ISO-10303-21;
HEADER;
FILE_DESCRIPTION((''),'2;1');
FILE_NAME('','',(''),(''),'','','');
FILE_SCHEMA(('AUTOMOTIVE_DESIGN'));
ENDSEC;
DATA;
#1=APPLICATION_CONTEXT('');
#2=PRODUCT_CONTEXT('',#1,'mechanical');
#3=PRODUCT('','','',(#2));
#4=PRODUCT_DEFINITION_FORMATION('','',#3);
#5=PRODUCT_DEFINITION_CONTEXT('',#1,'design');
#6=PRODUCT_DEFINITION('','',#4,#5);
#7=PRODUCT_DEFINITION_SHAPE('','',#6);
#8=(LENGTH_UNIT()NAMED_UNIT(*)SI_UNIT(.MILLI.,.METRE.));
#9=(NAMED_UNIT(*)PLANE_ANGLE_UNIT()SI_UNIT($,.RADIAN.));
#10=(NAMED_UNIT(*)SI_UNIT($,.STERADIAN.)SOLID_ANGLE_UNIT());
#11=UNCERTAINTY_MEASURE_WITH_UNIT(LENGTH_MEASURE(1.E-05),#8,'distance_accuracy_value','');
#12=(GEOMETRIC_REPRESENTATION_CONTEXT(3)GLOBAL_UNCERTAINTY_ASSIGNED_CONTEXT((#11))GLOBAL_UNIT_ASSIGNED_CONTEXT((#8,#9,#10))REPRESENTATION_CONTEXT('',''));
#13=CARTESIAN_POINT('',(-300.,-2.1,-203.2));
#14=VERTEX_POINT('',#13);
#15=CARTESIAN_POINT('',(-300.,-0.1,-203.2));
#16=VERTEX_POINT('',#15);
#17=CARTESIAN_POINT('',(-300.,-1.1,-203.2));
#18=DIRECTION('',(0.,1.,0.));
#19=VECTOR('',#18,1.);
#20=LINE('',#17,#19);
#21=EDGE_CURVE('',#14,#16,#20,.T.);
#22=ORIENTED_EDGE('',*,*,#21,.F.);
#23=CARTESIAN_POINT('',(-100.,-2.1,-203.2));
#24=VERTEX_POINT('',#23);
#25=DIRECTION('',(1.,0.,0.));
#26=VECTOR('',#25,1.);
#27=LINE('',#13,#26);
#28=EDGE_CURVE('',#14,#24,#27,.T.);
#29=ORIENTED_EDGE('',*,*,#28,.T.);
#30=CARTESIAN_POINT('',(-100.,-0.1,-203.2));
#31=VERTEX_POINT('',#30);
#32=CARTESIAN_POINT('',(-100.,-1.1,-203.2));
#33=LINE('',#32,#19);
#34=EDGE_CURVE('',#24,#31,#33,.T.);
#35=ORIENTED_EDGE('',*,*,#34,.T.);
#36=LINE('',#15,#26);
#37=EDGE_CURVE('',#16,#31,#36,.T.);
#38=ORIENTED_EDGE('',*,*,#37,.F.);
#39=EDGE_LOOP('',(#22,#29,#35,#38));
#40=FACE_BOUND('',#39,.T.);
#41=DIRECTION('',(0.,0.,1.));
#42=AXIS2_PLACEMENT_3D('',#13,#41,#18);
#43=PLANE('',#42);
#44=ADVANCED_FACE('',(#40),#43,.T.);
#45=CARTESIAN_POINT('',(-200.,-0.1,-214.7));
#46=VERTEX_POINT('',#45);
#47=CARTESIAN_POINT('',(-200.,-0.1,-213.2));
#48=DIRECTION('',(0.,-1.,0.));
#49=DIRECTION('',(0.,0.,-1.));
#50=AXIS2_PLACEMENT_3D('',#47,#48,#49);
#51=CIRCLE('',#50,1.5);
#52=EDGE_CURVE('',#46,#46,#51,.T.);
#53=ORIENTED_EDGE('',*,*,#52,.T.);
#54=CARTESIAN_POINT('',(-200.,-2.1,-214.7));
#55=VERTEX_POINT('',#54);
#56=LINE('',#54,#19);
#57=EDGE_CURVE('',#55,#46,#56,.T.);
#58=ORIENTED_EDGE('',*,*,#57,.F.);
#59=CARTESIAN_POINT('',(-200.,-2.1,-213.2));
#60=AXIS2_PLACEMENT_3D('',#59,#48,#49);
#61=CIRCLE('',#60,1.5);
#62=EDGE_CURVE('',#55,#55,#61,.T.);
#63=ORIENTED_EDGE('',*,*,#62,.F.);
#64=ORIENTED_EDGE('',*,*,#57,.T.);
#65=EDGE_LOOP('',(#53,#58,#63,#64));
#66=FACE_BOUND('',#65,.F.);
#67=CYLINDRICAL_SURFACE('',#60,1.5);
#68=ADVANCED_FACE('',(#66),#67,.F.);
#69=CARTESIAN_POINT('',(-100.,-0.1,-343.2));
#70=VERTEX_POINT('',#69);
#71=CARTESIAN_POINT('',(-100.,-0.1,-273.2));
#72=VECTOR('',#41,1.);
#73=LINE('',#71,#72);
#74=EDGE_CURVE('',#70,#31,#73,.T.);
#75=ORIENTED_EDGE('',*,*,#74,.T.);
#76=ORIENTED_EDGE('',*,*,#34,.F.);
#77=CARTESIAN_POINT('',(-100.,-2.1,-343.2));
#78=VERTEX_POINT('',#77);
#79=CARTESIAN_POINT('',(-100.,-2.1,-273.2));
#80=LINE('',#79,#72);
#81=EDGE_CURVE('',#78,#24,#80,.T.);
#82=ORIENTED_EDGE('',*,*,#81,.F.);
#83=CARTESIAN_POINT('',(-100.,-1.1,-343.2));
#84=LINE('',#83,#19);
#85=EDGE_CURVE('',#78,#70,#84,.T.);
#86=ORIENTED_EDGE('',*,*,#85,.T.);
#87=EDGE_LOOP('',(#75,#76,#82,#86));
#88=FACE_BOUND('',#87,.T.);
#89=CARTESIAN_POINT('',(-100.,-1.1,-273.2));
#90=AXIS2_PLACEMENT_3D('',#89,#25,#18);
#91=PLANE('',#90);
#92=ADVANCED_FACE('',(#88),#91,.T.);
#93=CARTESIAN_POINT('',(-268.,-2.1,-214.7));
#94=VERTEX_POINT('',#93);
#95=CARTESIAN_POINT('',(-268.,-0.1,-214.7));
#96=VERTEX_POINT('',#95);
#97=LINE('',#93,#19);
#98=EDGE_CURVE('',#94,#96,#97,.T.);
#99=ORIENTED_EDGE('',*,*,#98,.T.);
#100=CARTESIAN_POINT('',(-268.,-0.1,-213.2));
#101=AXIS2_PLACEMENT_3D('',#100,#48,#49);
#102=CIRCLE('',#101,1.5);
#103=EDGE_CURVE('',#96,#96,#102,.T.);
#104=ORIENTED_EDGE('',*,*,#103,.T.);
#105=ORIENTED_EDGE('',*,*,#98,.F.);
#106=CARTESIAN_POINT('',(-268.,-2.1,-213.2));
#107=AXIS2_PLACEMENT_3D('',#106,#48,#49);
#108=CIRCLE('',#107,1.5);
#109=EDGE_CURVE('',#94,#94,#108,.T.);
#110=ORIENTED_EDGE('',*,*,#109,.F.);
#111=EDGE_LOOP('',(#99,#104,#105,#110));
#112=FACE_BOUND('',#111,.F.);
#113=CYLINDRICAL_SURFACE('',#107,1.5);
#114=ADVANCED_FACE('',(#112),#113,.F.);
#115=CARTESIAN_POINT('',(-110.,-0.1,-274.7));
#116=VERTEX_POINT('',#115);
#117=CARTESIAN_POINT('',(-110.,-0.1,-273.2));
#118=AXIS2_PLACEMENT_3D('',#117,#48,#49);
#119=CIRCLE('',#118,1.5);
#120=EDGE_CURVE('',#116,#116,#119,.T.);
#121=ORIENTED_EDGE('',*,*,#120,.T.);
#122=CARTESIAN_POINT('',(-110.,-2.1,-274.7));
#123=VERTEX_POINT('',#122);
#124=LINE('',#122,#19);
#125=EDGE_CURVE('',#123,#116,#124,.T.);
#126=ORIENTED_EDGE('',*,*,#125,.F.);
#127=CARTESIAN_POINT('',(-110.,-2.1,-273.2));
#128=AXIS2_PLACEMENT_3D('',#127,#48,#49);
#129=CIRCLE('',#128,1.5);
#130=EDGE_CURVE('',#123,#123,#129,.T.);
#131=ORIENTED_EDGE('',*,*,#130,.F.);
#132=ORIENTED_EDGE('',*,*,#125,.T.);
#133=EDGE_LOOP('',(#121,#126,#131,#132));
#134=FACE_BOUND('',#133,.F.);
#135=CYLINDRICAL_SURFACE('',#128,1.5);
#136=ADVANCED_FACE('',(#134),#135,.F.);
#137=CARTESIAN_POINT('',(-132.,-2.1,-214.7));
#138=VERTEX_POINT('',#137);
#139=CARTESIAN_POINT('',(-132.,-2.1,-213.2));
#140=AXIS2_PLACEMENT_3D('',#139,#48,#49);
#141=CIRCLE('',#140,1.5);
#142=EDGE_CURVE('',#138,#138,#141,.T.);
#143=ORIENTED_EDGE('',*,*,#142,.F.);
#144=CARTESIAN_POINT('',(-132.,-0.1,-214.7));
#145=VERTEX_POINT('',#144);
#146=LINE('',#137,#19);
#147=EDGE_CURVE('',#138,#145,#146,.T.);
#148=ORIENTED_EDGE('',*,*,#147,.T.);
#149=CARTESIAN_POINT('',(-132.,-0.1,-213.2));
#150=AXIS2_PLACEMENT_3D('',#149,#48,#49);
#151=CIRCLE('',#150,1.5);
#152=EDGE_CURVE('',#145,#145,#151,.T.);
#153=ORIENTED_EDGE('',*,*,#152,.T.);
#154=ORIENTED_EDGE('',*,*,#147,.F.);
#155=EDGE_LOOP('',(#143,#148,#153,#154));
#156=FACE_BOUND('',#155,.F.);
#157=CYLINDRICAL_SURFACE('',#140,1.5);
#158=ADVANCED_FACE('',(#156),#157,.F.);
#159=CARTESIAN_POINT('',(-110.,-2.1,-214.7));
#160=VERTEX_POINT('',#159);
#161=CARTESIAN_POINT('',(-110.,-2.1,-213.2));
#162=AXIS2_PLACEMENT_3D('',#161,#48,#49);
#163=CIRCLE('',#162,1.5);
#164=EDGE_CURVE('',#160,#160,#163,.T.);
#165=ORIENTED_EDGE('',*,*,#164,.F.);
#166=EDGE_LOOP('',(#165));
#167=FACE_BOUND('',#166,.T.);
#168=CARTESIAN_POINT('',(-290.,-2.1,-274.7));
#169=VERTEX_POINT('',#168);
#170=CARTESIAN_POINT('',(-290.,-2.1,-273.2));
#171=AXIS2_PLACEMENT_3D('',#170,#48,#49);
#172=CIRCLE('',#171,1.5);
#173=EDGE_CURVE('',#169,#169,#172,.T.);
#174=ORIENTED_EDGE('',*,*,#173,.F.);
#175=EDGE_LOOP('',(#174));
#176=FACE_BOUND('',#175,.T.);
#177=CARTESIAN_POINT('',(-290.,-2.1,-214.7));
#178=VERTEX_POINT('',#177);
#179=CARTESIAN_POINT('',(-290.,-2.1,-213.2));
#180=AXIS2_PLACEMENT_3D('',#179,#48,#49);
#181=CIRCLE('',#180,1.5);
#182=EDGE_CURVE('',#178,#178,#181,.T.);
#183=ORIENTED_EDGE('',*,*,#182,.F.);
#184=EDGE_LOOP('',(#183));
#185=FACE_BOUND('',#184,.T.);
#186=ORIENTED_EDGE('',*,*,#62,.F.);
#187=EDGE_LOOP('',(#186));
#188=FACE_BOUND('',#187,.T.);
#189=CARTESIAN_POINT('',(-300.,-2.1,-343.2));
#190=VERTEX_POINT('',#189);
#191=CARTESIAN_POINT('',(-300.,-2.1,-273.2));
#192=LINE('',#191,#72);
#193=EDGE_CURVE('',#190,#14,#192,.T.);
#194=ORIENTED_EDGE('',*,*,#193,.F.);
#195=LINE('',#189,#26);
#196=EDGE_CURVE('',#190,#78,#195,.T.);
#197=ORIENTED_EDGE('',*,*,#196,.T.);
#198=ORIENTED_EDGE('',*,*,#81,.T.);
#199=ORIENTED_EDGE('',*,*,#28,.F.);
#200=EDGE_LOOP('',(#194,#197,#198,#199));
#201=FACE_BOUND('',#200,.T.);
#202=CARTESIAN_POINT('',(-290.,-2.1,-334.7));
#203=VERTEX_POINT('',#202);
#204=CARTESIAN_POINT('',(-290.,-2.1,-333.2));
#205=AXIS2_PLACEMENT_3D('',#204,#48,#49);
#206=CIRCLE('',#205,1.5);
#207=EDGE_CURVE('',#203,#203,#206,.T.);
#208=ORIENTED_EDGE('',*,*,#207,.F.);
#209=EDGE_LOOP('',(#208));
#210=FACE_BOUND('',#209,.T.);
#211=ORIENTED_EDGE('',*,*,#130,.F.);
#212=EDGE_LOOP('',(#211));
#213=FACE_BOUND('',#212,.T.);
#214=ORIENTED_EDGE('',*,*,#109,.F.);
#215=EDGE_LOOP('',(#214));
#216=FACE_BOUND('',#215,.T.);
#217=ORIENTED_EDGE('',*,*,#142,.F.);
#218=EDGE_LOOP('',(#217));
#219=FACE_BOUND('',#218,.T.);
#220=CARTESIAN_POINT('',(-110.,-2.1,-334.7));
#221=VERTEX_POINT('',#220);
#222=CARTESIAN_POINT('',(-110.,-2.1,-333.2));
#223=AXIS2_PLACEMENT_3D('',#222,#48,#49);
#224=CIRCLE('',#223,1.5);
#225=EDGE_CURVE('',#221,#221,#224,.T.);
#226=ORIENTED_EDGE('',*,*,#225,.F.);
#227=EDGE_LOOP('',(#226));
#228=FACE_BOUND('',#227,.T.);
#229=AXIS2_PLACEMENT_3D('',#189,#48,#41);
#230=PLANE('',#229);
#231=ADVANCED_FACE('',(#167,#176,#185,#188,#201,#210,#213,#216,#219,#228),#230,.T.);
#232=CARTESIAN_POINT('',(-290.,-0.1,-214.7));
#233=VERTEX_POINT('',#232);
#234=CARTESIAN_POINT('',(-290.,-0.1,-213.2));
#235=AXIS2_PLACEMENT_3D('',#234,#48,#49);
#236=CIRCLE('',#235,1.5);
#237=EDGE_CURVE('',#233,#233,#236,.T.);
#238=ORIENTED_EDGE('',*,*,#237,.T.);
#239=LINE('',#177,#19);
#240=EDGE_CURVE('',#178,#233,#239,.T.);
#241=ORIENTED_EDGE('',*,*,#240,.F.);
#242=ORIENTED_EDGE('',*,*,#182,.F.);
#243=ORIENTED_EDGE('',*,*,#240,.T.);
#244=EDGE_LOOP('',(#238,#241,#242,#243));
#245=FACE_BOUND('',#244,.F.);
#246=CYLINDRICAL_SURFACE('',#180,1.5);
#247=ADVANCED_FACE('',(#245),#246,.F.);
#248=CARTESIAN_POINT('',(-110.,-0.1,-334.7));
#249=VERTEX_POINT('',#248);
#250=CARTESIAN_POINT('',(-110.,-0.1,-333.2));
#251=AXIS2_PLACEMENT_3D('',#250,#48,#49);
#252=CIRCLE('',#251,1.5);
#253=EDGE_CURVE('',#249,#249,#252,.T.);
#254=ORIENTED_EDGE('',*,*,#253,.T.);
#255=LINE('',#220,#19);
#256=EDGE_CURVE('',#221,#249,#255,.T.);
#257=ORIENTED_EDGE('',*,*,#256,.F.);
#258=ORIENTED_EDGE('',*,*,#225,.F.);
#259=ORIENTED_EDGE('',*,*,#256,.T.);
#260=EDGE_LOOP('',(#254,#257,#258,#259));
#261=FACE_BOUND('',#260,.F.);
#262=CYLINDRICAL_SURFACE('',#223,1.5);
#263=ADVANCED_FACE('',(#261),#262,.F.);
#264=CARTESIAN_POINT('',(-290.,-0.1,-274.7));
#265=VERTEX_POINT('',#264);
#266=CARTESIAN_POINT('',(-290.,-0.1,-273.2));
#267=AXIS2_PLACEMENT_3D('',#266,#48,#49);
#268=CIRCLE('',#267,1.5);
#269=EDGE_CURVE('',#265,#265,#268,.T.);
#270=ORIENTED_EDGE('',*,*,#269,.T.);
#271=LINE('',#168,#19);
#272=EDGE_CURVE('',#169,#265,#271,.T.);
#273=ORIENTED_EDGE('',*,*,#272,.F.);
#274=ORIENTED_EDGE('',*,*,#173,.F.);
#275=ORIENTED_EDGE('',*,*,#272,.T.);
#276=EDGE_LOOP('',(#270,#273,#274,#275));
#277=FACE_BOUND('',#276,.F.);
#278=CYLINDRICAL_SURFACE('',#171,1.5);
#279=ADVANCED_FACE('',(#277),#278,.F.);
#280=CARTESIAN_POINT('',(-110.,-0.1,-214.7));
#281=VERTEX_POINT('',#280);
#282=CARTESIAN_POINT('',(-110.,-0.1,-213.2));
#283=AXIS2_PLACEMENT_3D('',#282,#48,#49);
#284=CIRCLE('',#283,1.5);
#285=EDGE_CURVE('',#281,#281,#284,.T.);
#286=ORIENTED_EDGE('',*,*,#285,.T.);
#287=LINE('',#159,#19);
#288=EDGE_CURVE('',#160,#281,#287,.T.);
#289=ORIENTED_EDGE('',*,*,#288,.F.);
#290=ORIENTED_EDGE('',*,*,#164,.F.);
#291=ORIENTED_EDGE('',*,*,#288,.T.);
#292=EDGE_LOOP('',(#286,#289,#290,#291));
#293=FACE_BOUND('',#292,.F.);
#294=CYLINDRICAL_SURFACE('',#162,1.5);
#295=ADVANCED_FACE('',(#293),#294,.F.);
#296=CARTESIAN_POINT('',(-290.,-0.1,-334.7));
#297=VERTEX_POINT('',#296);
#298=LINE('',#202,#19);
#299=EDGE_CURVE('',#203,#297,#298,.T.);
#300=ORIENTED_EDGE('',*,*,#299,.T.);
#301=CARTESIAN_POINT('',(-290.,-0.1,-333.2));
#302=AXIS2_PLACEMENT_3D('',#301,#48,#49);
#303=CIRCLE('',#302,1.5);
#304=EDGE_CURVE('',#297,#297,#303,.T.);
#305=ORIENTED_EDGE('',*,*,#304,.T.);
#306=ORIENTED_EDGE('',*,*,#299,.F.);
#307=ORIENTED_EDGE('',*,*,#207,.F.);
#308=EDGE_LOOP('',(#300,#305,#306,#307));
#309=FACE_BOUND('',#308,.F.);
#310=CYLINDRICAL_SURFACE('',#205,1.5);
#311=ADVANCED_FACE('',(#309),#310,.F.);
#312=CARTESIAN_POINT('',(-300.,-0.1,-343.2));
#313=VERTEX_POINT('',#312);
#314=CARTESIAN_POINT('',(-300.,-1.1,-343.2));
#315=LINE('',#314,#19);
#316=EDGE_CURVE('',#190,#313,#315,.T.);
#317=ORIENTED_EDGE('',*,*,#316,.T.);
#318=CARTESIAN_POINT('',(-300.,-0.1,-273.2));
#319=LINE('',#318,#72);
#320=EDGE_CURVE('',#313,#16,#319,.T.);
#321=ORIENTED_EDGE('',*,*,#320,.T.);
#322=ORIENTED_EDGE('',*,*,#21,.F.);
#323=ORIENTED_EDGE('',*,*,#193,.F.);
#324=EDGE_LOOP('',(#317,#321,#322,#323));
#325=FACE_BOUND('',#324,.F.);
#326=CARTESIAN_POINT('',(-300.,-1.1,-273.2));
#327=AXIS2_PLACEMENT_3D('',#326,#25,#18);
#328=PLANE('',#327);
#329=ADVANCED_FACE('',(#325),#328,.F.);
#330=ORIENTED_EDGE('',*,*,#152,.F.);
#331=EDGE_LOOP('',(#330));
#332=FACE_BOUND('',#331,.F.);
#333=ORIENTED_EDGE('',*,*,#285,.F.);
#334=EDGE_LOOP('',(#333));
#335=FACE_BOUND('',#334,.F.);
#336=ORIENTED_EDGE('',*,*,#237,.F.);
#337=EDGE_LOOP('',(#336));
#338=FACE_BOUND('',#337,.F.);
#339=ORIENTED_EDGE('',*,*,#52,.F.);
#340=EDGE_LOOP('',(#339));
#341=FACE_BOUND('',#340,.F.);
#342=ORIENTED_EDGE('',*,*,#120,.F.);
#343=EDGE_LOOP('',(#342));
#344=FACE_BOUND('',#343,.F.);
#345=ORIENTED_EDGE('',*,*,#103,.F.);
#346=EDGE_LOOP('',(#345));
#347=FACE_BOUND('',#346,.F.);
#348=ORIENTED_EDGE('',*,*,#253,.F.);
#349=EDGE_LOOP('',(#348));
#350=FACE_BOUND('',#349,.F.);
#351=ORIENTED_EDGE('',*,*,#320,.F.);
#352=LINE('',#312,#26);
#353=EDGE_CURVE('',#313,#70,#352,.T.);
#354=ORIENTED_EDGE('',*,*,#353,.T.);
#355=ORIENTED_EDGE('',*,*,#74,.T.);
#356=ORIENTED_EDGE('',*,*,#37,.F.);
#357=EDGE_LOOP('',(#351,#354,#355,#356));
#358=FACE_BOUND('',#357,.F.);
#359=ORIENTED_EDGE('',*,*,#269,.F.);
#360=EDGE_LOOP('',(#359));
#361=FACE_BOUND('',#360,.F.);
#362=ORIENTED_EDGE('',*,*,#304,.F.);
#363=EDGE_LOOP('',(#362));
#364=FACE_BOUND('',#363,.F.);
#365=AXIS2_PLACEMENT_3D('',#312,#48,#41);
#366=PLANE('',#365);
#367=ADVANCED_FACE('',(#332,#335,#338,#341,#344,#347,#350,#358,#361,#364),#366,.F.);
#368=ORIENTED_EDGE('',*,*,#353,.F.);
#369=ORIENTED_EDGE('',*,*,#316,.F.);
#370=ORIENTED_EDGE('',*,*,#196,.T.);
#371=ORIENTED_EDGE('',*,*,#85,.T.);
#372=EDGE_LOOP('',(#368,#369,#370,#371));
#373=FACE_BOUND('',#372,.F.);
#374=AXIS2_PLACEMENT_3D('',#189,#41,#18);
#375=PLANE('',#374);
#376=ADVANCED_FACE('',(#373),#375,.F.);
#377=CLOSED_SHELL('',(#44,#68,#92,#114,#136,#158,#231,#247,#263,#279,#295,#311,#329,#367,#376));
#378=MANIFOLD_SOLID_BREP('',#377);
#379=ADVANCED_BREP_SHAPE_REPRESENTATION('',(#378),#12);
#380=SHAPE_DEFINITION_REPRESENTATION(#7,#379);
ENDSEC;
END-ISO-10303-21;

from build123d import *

# Parameters (mm, degrees)
SKETCH051_W     = 2
SKETCH051_H     = 140
PAD031_DEPTH    = 200
SKETCH040_R     = 1.5
POCKET016_DEPTH = 5
SKETCH088_R     = 1.5
POCKET046_DEPTH = 5


with BuildPart() as part:
    # Sketch051 → Pad031 (new body)
    with BuildSketch(Plane.YZ):
        with Locations((1, 70)):
            Rectangle(SKETCH051_W, SKETCH051_H)
    extrude(amount=PAD031_DEPTH)

    # Sketch040 (on Face1 of Pad031) → Pocket016 (cut)
    with BuildSketch(Plane(origin=(0, 0, 0), x_dir=(0, 0, -1), z_dir=(0, -1, 0))):
        with Locations((-130, 190)):
            Circle(SKETCH040_R)
        with Locations((-70, 190)):
            Circle(SKETCH040_R)
        with Locations((-10, 190)):
            Circle(SKETCH040_R)
        with Locations((-10, 10)):
            Circle(SKETCH040_R)
        with Locations((-70, 10)):
            Circle(SKETCH040_R)
        with Locations((-130, 10)):
            Circle(SKETCH040_R)
    extrude(amount=-POCKET016_DEPTH, mode=Mode.SUBTRACT)

    # Sketch088 (on Face1 of Pocket016) → Pocket046 (cut)
    with BuildSketch(Plane(origin=(0, 0, 0), x_dir=(0, 0, -1), z_dir=(0, -1, 0))):
        with Locations((-130, 32)):
            Circle(SKETCH088_R)
        with Locations((-130, 100)):
            Circle(SKETCH088_R)
        with Locations((-130, 168)):
            Circle(SKETCH088_R)
    extrude(amount=-POCKET046_DEPTH, mode=Mode.SUBTRACT)


with BuildPart() as part_1:
    # Body031 placement: moved
    add(part.part.moved(Location((-300, -2.1, -343.2))))


solid = part_1.part
